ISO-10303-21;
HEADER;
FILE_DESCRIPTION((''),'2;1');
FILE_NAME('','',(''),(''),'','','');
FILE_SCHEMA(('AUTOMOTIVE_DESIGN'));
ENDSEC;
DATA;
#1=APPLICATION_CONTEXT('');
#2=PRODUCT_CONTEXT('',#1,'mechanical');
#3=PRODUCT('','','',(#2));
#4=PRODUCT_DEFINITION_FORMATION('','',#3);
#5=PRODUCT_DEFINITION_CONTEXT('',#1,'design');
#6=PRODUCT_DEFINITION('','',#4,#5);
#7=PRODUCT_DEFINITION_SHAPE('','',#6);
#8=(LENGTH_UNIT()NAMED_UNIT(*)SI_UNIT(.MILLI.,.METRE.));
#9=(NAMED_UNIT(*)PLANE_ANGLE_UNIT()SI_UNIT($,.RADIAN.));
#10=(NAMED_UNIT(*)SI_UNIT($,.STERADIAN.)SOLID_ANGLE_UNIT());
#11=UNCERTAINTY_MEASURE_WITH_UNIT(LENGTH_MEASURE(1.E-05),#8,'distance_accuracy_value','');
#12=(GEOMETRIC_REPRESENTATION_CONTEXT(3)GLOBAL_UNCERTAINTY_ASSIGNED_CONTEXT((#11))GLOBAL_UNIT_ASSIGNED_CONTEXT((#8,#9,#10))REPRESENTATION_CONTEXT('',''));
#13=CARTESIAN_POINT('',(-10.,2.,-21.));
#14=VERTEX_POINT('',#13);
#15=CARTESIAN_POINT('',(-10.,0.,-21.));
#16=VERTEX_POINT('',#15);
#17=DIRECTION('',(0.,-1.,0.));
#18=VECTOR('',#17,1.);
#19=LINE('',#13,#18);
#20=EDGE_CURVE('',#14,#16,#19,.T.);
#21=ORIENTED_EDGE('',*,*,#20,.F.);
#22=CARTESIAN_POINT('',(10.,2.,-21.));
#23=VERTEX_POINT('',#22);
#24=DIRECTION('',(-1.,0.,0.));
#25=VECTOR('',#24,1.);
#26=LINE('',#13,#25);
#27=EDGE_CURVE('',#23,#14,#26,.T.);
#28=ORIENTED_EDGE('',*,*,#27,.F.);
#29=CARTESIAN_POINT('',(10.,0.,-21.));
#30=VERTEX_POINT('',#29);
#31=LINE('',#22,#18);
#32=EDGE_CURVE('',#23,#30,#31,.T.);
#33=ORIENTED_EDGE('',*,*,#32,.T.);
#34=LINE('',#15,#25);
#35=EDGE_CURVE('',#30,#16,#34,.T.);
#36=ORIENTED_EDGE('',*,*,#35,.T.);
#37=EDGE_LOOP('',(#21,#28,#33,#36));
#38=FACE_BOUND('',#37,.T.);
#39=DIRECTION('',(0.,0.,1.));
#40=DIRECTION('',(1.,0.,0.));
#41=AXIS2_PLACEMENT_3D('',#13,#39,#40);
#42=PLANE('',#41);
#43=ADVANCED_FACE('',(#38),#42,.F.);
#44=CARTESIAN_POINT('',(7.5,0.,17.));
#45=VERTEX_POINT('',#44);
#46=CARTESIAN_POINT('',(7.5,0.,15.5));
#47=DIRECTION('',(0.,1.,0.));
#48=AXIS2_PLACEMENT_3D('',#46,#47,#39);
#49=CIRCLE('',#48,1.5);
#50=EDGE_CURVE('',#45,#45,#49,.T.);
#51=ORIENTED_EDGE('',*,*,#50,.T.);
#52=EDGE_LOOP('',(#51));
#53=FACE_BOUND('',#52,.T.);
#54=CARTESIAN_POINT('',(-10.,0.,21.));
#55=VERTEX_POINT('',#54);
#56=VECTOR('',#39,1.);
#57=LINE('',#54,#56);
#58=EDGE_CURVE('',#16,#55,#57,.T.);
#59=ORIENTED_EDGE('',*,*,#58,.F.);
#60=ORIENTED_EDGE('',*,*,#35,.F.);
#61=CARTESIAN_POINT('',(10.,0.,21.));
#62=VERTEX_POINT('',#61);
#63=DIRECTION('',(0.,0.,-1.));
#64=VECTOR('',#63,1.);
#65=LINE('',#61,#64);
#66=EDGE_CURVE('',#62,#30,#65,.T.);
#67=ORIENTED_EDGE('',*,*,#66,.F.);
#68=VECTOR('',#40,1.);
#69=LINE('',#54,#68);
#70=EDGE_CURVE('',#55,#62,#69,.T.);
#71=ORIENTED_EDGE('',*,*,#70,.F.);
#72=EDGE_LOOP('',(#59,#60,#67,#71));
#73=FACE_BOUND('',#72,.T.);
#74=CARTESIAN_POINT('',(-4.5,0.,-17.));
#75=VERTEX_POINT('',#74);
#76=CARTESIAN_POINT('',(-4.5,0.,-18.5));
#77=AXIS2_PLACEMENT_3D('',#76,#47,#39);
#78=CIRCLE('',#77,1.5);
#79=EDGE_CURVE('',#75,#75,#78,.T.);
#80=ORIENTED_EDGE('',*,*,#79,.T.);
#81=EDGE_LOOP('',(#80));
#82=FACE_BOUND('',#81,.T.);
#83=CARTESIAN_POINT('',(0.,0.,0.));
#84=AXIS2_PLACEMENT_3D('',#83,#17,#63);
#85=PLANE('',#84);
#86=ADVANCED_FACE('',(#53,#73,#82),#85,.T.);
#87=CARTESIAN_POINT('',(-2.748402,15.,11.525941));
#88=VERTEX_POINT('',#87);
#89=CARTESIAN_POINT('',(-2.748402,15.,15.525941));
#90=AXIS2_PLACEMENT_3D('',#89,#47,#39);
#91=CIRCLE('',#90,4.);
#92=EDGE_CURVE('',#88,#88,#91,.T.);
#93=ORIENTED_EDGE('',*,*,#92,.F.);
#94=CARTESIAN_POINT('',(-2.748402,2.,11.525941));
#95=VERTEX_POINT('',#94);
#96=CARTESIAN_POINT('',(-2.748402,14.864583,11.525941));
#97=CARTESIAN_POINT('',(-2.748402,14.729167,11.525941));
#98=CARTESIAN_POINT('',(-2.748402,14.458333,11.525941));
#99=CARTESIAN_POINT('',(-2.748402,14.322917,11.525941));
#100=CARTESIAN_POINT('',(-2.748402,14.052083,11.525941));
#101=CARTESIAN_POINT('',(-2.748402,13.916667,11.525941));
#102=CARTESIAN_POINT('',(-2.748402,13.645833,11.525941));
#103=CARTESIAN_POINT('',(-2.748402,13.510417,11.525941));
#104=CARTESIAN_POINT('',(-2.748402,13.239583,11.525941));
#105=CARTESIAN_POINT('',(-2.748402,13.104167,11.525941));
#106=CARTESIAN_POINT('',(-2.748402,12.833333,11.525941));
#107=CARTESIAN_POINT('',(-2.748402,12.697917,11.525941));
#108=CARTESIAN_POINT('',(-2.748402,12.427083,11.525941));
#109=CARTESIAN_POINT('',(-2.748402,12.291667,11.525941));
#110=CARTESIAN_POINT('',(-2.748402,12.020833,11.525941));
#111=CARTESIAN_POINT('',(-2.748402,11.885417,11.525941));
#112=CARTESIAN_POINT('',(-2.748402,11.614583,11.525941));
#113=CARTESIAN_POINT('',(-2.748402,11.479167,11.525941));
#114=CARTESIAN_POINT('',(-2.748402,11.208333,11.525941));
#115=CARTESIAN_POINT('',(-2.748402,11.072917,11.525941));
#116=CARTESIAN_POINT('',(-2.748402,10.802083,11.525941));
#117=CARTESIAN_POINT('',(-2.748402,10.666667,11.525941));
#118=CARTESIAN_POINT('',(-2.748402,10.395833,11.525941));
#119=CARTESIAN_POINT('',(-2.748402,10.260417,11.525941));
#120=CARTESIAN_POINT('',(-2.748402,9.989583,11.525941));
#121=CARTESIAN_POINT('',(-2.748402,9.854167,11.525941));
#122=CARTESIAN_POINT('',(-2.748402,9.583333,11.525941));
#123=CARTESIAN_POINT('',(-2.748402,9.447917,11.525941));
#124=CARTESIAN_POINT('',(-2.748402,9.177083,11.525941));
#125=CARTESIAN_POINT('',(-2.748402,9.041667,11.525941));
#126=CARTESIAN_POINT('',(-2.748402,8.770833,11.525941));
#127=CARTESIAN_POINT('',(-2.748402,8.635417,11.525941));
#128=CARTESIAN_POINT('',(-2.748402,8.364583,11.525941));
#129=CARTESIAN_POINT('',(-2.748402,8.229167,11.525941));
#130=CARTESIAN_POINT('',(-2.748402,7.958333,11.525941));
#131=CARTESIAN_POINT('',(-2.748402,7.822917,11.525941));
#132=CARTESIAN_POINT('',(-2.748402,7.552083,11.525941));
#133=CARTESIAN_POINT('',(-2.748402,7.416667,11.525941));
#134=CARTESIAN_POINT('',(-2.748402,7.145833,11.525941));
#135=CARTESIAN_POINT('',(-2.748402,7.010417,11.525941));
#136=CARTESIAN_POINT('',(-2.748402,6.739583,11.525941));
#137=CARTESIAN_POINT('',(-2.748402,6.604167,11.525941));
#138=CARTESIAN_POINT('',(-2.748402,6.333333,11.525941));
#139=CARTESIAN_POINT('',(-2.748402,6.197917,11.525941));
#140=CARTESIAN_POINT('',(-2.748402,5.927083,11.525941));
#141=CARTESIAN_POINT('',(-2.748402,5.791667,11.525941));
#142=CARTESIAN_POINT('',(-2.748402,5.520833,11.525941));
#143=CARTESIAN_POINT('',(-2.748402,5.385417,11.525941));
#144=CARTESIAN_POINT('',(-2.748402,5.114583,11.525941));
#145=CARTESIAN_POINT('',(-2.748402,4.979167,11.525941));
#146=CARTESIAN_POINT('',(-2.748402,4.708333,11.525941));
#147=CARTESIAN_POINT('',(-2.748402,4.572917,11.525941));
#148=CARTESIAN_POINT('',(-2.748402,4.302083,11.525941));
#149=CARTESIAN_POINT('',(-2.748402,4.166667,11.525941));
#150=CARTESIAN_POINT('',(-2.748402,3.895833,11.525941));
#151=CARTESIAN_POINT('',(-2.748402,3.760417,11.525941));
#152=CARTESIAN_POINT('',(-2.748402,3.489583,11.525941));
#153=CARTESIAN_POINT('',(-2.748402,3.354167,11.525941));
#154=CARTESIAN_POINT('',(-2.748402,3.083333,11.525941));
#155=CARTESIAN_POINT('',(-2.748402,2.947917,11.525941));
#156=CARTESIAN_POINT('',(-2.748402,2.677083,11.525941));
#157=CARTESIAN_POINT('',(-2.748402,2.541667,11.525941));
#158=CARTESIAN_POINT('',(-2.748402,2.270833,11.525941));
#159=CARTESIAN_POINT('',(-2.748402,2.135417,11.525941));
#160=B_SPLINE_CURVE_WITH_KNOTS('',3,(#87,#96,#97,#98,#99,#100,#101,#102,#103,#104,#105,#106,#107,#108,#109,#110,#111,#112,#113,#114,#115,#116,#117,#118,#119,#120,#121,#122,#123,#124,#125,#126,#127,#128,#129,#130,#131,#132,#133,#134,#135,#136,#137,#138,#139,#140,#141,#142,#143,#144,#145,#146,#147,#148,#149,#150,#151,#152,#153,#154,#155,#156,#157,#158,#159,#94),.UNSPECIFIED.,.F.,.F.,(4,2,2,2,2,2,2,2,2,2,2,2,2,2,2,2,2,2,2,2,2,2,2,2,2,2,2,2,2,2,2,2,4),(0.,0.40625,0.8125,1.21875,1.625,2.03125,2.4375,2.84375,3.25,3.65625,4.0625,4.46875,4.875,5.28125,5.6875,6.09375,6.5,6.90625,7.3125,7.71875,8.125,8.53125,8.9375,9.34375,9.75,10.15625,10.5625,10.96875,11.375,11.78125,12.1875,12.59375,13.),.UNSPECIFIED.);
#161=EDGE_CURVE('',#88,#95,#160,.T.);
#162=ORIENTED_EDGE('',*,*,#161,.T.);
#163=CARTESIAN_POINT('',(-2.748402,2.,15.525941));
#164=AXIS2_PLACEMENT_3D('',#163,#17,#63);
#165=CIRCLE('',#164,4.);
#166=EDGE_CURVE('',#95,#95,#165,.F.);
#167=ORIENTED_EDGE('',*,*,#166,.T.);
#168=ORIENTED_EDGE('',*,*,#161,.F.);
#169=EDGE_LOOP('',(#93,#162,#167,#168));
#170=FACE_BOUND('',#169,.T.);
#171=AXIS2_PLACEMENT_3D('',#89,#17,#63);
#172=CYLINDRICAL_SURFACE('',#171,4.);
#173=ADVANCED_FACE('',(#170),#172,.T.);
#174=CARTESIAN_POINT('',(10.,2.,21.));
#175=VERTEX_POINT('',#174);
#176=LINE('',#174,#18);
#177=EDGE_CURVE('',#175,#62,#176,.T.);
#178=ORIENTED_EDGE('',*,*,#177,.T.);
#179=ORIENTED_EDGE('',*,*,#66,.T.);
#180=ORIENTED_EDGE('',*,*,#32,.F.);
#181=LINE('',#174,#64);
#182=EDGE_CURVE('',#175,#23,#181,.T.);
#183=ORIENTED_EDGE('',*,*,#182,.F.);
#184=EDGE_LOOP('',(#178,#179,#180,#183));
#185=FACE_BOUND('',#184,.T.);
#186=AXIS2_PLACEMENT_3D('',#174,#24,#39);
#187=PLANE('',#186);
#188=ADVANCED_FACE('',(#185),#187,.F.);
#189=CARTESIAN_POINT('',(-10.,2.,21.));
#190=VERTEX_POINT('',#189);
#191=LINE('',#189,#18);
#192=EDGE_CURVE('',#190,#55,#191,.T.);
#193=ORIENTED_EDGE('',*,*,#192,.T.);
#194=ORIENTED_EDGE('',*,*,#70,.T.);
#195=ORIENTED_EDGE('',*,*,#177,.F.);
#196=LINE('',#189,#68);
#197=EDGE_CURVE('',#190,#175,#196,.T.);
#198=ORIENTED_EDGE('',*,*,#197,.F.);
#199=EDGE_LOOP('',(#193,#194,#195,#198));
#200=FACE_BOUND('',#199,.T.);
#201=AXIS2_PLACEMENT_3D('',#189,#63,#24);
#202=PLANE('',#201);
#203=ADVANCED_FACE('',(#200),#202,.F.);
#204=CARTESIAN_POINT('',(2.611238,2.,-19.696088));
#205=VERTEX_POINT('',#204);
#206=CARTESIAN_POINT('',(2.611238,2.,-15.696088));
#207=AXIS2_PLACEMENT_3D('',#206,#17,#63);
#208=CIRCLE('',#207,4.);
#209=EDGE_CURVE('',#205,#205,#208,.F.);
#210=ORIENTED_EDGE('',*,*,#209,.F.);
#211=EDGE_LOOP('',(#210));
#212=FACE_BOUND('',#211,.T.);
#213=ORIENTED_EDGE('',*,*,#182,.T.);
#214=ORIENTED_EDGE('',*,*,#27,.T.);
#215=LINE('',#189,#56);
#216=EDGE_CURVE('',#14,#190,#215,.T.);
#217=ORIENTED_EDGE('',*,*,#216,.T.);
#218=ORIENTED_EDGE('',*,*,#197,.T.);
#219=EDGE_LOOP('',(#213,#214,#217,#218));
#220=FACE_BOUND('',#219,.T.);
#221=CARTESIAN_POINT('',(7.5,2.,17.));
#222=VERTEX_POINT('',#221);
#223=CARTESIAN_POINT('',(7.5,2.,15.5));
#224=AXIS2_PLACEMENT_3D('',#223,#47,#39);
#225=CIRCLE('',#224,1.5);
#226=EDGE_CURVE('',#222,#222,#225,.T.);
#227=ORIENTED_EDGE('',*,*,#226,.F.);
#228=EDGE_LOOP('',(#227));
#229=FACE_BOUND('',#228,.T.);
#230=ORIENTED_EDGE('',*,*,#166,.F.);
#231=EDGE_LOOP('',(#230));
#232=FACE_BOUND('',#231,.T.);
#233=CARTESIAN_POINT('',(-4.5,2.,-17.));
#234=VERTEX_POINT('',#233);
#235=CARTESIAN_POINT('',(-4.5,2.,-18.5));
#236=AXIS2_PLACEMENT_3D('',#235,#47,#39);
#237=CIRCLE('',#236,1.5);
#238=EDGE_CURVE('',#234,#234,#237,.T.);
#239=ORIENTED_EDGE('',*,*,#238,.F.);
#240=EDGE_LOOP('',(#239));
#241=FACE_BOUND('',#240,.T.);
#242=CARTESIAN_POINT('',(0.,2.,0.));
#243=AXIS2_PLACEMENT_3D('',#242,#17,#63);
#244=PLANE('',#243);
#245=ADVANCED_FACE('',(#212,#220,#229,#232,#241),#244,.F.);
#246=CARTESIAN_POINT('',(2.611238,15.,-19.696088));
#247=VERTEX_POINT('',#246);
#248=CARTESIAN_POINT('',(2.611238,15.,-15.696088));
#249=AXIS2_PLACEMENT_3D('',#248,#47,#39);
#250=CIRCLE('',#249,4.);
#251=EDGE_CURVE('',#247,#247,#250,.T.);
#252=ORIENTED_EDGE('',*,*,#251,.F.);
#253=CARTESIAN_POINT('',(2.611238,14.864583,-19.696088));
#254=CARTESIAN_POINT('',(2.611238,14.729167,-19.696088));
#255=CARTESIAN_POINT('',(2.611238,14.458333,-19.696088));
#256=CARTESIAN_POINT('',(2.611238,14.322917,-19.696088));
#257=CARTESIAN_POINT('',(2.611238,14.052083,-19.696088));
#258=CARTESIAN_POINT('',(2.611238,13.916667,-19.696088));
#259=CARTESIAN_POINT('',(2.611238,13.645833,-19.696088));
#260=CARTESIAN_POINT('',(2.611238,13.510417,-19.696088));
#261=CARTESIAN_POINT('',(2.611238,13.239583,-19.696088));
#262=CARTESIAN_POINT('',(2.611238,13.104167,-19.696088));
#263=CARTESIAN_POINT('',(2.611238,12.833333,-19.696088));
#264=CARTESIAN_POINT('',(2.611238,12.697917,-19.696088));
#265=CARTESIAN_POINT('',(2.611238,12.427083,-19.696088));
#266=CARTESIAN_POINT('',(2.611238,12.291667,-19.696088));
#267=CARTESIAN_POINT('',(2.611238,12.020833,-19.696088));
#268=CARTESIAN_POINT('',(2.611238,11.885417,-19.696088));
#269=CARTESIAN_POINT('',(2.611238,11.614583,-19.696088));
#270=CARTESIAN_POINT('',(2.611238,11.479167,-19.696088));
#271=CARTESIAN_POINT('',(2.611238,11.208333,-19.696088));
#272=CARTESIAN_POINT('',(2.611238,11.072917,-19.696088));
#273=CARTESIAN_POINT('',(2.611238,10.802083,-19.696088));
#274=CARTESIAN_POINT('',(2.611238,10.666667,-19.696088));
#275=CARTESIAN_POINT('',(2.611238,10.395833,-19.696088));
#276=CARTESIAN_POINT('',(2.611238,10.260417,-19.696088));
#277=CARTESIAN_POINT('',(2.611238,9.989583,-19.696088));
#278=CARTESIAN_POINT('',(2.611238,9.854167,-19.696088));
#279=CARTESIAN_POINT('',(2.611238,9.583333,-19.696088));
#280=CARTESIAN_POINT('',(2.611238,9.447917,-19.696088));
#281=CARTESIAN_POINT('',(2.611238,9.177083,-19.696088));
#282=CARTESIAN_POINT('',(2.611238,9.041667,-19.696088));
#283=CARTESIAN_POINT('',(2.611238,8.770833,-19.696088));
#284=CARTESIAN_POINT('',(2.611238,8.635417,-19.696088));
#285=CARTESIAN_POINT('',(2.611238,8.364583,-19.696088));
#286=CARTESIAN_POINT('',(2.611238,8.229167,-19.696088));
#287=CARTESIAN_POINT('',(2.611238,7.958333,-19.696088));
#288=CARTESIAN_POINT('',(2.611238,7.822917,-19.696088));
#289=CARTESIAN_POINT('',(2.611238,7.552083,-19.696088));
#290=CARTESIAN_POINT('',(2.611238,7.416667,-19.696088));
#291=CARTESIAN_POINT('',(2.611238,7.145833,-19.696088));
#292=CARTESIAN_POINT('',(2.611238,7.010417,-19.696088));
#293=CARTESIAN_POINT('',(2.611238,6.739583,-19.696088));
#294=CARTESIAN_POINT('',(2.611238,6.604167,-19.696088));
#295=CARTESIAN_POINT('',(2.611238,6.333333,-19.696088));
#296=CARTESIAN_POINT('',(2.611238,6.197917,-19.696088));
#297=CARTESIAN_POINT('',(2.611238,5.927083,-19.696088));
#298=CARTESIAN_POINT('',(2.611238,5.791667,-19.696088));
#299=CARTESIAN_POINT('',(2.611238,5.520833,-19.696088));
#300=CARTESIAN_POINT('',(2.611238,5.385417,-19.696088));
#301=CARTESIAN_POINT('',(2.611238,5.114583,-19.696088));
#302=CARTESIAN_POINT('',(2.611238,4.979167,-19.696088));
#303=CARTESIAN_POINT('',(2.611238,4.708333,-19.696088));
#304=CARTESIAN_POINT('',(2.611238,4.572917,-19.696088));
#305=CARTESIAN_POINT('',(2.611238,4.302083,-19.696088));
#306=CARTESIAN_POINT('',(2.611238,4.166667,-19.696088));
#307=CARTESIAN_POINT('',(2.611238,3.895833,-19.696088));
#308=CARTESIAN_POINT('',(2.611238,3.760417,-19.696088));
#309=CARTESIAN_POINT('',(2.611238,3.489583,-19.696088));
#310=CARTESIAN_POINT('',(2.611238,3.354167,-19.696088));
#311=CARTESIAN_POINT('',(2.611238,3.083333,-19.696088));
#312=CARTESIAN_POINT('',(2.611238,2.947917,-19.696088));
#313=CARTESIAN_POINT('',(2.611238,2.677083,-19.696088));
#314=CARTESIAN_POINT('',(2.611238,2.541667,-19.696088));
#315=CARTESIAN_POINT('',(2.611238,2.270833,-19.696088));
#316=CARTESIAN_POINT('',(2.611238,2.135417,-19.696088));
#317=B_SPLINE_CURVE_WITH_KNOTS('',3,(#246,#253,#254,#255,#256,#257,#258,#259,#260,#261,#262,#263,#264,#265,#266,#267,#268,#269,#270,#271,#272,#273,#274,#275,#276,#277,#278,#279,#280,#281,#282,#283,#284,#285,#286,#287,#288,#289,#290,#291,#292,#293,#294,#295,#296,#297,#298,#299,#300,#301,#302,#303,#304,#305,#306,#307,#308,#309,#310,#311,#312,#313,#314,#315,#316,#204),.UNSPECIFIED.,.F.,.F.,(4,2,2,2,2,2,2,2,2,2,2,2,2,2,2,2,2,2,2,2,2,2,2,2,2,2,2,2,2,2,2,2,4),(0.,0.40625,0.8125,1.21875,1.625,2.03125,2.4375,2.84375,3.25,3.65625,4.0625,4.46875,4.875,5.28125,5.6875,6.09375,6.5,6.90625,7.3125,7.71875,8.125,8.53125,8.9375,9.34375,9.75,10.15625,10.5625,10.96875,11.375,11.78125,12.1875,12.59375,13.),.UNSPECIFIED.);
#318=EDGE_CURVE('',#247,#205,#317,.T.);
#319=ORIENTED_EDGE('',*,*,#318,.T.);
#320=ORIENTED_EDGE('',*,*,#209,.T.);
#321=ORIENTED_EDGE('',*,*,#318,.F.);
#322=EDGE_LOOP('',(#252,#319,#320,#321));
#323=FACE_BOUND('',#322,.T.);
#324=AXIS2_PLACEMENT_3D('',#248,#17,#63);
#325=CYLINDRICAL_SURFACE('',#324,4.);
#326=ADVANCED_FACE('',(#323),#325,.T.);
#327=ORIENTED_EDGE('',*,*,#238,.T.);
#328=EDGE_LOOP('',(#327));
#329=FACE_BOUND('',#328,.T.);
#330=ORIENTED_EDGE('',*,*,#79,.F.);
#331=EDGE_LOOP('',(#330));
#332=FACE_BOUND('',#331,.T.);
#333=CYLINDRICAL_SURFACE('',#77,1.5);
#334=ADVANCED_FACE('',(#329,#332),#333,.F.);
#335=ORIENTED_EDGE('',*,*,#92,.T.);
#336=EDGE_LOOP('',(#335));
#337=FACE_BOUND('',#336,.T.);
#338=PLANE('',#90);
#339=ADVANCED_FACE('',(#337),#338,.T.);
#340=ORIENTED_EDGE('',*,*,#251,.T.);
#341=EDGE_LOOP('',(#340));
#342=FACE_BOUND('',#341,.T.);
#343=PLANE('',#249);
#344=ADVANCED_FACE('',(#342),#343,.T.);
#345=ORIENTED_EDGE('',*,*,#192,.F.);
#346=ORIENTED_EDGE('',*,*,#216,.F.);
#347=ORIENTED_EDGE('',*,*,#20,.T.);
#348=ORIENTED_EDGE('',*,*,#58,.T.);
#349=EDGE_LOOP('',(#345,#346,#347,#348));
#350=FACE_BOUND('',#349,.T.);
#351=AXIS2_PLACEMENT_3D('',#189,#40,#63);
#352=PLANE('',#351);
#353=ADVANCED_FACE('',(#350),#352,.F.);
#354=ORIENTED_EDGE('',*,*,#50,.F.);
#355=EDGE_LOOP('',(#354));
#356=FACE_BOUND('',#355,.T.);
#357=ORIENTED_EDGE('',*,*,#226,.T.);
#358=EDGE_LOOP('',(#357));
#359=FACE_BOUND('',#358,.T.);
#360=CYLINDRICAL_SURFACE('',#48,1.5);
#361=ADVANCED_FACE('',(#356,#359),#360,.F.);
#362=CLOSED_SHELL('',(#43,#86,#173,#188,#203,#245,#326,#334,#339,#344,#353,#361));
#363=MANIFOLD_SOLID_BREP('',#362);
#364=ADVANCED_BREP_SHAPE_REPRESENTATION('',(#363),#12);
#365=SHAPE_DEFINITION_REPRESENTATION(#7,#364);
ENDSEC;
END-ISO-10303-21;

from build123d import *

# Parameters (mm, degrees)
SKETCH1_W           = 20
SKETCH1_H           = 42
BOSS_EXTRUDE1_DEPTH = 2
SKETCH2_R           = 4
BOSS_EXTRUDE2_DEPTH = 13
SKETCH3_R           = 1.5
CUT_EXTRUDE1_DEPTH  = 27.645825189


with BuildPart() as part:
    # Sketch1 → Boss-Extrude1 (new body)
    with BuildSketch(Plane(origin=(0, 0, 0), x_dir=(1, 0, 0), z_dir=(0, 1, 0))):
        Rectangle(SKETCH1_W, SKETCH1_H)
    extrude(amount=BOSS_EXTRUDE1_DEPTH)

    # Sketch2 → Boss-Extrude2 (add)
    with BuildSketch(Plane(origin=(0, 2, 0), x_dir=(1, 0, 0), z_dir=(0, 1, 0))):
        with Locations(Location((2.611238323, 15.696088344, 0), (0, 0, 90))):
            Circle(SKETCH2_R)
        with Locations(Location((-2.7484016, -15.525941045, 0), (0, 0, 90))):
            Circle(SKETCH2_R)
    extrude(amount=BOSS_EXTRUDE2_DEPTH)

    # Sketch3 → Cut-Extrude1 (cut, through all)
    with BuildSketch(Plane(origin=(0, 2, 0), x_dir=(1, 0, 0), z_dir=(0, 1, 0))):
        with Locations(Location((-4.5, 18.5, 0), (0, 0, 270))):
            Circle(SKETCH3_R)
        with Locations(Location((7.5, -15.5, 0), (0, 0, 270))):
            Circle(SKETCH3_R)
    extrude(amount=-CUT_EXTRUDE1_DEPTH, mode=Mode.SUBTRACT)


solid = part.part
